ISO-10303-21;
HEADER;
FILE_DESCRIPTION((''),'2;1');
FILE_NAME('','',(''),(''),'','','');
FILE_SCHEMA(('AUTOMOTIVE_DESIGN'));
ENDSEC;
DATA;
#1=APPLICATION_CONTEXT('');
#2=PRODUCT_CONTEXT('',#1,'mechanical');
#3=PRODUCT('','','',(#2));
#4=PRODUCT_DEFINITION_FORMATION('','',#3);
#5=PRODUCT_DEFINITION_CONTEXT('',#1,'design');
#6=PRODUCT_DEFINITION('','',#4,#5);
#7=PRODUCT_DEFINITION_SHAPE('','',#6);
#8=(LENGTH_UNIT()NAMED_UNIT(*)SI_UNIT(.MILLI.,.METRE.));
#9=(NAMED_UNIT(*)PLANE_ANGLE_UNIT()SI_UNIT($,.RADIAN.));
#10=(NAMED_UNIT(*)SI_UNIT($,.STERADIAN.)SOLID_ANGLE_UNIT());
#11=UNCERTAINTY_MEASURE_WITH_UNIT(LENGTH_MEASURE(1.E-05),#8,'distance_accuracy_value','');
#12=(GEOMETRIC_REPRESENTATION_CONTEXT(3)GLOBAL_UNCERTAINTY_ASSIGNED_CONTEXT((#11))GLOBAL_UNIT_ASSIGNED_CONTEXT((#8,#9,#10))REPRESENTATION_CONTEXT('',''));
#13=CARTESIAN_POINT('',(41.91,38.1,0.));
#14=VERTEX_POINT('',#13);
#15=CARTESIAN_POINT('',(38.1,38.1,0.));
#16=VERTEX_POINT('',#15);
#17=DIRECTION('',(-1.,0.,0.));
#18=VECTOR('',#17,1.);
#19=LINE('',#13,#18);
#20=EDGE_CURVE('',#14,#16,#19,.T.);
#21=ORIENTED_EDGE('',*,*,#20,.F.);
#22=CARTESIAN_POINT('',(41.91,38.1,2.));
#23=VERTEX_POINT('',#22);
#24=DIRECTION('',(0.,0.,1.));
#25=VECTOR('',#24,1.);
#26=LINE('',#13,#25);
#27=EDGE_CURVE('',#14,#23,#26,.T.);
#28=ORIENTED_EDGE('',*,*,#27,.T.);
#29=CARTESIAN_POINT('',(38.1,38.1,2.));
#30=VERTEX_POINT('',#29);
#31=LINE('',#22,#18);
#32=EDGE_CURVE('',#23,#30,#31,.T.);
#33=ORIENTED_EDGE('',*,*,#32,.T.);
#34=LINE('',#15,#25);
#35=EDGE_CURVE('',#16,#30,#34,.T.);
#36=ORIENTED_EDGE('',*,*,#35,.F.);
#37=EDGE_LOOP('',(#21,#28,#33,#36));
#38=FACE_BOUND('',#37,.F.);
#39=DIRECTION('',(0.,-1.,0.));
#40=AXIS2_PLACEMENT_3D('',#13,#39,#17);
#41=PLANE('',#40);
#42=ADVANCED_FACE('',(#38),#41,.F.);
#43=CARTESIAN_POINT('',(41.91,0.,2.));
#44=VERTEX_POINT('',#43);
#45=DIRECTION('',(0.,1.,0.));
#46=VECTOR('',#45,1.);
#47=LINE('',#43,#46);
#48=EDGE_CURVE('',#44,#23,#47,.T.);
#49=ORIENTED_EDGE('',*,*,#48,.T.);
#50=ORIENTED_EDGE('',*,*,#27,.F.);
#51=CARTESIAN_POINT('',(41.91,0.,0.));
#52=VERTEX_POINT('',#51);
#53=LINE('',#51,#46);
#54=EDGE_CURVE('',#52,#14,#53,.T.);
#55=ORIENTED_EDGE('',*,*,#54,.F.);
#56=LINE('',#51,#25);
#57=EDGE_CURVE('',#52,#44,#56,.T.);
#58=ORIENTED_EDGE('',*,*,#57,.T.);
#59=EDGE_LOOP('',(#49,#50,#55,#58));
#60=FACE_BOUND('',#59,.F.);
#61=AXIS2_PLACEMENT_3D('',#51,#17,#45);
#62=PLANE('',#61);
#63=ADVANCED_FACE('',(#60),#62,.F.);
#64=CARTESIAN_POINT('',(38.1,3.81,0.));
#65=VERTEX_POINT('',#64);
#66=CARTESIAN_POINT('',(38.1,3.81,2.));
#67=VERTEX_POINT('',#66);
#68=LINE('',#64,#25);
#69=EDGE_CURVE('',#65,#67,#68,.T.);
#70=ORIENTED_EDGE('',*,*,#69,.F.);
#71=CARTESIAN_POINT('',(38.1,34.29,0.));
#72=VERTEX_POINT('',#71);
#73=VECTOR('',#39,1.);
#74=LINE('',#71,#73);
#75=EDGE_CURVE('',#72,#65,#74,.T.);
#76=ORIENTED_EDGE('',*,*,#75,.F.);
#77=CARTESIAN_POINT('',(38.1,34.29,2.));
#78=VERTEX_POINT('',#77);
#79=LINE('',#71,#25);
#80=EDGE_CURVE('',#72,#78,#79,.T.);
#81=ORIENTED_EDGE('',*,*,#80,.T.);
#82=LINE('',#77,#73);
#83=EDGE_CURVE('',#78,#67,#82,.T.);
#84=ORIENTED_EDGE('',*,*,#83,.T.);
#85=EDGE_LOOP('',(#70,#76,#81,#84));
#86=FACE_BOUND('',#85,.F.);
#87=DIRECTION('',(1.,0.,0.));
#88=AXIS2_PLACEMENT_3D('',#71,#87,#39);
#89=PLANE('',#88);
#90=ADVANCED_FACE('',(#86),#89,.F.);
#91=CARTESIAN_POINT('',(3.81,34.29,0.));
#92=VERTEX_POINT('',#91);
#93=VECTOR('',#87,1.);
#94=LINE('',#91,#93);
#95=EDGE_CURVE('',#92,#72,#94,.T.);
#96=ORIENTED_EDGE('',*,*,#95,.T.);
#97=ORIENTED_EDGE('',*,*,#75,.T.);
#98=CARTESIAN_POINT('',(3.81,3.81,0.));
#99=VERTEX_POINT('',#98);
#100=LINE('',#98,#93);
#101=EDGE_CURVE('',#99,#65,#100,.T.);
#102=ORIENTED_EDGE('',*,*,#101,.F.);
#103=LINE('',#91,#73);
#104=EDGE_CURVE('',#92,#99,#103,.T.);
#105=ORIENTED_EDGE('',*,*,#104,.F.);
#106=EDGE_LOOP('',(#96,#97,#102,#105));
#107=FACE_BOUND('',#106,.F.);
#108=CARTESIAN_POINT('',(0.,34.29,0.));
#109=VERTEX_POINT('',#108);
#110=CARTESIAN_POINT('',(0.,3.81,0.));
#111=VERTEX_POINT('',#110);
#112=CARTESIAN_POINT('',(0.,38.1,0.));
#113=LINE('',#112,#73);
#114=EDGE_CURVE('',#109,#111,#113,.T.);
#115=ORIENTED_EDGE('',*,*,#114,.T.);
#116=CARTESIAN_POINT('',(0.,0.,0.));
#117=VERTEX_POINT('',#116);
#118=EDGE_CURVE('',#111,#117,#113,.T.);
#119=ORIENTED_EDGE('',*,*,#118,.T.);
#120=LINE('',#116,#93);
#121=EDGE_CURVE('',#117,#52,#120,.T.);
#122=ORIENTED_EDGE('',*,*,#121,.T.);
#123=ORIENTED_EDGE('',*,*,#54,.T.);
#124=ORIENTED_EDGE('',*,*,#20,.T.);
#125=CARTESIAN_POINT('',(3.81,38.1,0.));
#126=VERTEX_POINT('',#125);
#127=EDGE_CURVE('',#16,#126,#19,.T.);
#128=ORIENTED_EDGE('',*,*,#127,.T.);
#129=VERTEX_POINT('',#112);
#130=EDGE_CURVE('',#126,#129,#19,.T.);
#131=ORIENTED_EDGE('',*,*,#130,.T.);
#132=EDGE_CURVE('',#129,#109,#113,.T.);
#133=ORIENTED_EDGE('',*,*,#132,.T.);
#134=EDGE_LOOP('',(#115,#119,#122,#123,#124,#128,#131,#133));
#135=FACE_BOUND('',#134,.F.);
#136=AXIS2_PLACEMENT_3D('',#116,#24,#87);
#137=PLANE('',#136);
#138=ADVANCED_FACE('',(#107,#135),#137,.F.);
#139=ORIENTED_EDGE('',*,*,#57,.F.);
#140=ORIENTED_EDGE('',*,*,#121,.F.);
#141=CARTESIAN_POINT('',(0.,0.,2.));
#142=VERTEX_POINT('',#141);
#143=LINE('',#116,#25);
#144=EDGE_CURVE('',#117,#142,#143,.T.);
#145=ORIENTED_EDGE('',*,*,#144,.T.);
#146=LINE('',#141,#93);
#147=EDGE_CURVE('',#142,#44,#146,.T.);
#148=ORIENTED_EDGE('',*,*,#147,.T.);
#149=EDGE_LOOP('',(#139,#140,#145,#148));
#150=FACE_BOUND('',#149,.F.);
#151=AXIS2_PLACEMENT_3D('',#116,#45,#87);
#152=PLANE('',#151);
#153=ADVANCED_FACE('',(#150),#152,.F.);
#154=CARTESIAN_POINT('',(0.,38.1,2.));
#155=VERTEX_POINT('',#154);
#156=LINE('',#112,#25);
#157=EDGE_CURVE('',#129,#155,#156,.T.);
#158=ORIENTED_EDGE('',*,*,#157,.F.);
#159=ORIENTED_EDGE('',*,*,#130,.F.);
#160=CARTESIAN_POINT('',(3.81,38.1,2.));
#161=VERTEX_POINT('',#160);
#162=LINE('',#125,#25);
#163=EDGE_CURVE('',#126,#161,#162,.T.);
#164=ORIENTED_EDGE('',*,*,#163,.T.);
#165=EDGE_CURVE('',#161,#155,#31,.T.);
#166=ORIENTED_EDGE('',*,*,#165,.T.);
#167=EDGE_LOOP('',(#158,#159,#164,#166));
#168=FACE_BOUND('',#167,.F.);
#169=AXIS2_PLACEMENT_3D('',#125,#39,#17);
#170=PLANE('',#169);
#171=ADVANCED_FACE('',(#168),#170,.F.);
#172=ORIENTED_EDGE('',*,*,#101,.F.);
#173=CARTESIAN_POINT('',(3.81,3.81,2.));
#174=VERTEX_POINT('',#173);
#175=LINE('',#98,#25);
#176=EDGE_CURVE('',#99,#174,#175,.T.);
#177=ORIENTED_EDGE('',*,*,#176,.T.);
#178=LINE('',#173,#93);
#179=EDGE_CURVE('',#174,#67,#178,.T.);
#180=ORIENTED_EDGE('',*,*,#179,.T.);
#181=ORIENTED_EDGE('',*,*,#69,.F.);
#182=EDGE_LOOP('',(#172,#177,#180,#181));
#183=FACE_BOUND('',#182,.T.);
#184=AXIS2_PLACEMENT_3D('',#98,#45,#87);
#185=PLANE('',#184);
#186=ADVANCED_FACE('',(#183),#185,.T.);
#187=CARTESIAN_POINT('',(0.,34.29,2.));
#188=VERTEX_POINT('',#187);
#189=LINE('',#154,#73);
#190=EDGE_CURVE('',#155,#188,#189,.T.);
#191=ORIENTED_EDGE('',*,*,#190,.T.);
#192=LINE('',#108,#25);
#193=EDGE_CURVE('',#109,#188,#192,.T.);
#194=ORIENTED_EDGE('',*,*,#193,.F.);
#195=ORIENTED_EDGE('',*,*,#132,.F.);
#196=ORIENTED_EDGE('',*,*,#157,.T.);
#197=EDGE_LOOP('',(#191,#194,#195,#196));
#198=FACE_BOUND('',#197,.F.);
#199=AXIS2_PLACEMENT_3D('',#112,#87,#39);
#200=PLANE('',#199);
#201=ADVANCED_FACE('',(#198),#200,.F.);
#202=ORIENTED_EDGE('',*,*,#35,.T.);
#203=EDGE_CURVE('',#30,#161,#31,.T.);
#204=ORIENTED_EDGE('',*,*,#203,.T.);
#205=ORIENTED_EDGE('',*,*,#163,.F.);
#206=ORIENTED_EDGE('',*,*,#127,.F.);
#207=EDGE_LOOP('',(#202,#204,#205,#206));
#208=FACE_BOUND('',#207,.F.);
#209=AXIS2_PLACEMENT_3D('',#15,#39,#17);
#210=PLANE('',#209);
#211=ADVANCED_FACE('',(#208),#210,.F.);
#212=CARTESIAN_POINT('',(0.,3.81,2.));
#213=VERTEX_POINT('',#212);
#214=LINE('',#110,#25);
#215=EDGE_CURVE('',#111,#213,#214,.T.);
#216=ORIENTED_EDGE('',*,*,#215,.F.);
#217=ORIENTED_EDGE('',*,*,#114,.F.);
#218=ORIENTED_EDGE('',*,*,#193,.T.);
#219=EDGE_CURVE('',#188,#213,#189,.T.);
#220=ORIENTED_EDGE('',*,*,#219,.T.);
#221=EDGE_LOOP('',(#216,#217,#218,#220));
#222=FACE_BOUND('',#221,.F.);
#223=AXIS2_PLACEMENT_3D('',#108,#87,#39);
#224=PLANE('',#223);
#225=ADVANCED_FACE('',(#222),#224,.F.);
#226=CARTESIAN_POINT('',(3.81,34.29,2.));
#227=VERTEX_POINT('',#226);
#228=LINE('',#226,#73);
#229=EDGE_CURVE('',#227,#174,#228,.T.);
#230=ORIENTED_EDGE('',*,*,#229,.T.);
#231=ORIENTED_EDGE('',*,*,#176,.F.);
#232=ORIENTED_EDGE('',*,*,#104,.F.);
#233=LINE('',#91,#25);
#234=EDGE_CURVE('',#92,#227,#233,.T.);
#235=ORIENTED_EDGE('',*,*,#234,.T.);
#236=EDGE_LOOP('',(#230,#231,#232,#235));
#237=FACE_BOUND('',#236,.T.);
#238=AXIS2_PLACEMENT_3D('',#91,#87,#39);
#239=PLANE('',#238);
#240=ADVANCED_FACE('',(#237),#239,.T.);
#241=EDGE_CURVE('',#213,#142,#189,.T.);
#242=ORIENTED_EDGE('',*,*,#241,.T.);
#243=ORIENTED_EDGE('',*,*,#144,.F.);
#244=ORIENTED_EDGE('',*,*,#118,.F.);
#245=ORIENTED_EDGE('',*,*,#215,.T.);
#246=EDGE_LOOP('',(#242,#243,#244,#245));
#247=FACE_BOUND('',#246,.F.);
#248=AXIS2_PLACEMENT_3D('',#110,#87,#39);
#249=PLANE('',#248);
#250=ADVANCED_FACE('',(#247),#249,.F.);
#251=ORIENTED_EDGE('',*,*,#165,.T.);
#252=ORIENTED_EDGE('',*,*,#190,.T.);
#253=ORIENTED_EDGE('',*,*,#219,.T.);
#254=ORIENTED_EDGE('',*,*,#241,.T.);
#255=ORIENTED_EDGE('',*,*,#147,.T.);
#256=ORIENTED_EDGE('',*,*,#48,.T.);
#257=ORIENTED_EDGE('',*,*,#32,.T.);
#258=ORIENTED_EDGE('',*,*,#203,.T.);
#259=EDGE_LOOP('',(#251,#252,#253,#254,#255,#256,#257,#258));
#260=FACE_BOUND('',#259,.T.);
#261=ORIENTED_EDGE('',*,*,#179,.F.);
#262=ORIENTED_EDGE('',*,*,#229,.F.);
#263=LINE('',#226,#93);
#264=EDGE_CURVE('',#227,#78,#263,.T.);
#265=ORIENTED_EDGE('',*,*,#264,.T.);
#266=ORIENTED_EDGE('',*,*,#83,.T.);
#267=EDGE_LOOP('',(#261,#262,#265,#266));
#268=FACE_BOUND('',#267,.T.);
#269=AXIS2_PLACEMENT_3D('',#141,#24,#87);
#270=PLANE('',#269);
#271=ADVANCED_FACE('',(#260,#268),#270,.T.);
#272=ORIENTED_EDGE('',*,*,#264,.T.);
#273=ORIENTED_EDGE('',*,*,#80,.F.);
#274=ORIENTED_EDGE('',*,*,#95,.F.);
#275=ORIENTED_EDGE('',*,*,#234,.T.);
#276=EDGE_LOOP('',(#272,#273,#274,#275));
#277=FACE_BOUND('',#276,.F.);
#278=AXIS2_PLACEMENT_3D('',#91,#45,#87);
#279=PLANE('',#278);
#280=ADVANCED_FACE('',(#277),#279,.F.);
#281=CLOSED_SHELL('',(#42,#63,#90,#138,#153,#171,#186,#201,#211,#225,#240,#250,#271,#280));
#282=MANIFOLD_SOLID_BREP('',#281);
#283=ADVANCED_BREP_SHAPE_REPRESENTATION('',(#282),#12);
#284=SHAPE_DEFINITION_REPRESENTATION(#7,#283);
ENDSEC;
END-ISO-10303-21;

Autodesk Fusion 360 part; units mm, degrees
sketch "Sketch1" plane through (0, 0, 0) normal (0, 0, 1) x (1, 0, 0)
  line L0 (0, 0) -> (41.91, 0)
  line L1 (41.91, 0) -> (41.91, 38.1)
  line L2 (41.91, 38.1) -> (0, 38.1)
  line L3 (0, 38.1) -> (0, 0)
  line L4 (0, 38.1) -> (3.81, 38.1)
  line L5 (3.81, 34.29) -> (3.81, 3.81)
  line L6 (0, 0) -> (0, 3.81)
  line L7 (3.81, 3.81) -> (38.1, 3.81)
  line L8 (0, 38.1) -> (0, 34.29)
  line L9 (3.81, 34.29) -> (38.1, 34.29)
  line L10 (41.91, 38.1) -> (38.1, 38.1)
  line L11 (38.1, 34.29) -> (38.1, 3.81)
  dimension "d1" = 41.91
  dimension "d2" = 38.1
  dimension "d3" = 3.81
  dimension "d4" = 3.81
  dimension "d5" = 3.81
  dimension "d6" = 3.81
sketch "Sketch2" plane through (0, 0, 0) normal (0, 0, 1) x (1, 0, 0)
extrude "Extrude1" add sketch "Sketch1" along normal blind 2
